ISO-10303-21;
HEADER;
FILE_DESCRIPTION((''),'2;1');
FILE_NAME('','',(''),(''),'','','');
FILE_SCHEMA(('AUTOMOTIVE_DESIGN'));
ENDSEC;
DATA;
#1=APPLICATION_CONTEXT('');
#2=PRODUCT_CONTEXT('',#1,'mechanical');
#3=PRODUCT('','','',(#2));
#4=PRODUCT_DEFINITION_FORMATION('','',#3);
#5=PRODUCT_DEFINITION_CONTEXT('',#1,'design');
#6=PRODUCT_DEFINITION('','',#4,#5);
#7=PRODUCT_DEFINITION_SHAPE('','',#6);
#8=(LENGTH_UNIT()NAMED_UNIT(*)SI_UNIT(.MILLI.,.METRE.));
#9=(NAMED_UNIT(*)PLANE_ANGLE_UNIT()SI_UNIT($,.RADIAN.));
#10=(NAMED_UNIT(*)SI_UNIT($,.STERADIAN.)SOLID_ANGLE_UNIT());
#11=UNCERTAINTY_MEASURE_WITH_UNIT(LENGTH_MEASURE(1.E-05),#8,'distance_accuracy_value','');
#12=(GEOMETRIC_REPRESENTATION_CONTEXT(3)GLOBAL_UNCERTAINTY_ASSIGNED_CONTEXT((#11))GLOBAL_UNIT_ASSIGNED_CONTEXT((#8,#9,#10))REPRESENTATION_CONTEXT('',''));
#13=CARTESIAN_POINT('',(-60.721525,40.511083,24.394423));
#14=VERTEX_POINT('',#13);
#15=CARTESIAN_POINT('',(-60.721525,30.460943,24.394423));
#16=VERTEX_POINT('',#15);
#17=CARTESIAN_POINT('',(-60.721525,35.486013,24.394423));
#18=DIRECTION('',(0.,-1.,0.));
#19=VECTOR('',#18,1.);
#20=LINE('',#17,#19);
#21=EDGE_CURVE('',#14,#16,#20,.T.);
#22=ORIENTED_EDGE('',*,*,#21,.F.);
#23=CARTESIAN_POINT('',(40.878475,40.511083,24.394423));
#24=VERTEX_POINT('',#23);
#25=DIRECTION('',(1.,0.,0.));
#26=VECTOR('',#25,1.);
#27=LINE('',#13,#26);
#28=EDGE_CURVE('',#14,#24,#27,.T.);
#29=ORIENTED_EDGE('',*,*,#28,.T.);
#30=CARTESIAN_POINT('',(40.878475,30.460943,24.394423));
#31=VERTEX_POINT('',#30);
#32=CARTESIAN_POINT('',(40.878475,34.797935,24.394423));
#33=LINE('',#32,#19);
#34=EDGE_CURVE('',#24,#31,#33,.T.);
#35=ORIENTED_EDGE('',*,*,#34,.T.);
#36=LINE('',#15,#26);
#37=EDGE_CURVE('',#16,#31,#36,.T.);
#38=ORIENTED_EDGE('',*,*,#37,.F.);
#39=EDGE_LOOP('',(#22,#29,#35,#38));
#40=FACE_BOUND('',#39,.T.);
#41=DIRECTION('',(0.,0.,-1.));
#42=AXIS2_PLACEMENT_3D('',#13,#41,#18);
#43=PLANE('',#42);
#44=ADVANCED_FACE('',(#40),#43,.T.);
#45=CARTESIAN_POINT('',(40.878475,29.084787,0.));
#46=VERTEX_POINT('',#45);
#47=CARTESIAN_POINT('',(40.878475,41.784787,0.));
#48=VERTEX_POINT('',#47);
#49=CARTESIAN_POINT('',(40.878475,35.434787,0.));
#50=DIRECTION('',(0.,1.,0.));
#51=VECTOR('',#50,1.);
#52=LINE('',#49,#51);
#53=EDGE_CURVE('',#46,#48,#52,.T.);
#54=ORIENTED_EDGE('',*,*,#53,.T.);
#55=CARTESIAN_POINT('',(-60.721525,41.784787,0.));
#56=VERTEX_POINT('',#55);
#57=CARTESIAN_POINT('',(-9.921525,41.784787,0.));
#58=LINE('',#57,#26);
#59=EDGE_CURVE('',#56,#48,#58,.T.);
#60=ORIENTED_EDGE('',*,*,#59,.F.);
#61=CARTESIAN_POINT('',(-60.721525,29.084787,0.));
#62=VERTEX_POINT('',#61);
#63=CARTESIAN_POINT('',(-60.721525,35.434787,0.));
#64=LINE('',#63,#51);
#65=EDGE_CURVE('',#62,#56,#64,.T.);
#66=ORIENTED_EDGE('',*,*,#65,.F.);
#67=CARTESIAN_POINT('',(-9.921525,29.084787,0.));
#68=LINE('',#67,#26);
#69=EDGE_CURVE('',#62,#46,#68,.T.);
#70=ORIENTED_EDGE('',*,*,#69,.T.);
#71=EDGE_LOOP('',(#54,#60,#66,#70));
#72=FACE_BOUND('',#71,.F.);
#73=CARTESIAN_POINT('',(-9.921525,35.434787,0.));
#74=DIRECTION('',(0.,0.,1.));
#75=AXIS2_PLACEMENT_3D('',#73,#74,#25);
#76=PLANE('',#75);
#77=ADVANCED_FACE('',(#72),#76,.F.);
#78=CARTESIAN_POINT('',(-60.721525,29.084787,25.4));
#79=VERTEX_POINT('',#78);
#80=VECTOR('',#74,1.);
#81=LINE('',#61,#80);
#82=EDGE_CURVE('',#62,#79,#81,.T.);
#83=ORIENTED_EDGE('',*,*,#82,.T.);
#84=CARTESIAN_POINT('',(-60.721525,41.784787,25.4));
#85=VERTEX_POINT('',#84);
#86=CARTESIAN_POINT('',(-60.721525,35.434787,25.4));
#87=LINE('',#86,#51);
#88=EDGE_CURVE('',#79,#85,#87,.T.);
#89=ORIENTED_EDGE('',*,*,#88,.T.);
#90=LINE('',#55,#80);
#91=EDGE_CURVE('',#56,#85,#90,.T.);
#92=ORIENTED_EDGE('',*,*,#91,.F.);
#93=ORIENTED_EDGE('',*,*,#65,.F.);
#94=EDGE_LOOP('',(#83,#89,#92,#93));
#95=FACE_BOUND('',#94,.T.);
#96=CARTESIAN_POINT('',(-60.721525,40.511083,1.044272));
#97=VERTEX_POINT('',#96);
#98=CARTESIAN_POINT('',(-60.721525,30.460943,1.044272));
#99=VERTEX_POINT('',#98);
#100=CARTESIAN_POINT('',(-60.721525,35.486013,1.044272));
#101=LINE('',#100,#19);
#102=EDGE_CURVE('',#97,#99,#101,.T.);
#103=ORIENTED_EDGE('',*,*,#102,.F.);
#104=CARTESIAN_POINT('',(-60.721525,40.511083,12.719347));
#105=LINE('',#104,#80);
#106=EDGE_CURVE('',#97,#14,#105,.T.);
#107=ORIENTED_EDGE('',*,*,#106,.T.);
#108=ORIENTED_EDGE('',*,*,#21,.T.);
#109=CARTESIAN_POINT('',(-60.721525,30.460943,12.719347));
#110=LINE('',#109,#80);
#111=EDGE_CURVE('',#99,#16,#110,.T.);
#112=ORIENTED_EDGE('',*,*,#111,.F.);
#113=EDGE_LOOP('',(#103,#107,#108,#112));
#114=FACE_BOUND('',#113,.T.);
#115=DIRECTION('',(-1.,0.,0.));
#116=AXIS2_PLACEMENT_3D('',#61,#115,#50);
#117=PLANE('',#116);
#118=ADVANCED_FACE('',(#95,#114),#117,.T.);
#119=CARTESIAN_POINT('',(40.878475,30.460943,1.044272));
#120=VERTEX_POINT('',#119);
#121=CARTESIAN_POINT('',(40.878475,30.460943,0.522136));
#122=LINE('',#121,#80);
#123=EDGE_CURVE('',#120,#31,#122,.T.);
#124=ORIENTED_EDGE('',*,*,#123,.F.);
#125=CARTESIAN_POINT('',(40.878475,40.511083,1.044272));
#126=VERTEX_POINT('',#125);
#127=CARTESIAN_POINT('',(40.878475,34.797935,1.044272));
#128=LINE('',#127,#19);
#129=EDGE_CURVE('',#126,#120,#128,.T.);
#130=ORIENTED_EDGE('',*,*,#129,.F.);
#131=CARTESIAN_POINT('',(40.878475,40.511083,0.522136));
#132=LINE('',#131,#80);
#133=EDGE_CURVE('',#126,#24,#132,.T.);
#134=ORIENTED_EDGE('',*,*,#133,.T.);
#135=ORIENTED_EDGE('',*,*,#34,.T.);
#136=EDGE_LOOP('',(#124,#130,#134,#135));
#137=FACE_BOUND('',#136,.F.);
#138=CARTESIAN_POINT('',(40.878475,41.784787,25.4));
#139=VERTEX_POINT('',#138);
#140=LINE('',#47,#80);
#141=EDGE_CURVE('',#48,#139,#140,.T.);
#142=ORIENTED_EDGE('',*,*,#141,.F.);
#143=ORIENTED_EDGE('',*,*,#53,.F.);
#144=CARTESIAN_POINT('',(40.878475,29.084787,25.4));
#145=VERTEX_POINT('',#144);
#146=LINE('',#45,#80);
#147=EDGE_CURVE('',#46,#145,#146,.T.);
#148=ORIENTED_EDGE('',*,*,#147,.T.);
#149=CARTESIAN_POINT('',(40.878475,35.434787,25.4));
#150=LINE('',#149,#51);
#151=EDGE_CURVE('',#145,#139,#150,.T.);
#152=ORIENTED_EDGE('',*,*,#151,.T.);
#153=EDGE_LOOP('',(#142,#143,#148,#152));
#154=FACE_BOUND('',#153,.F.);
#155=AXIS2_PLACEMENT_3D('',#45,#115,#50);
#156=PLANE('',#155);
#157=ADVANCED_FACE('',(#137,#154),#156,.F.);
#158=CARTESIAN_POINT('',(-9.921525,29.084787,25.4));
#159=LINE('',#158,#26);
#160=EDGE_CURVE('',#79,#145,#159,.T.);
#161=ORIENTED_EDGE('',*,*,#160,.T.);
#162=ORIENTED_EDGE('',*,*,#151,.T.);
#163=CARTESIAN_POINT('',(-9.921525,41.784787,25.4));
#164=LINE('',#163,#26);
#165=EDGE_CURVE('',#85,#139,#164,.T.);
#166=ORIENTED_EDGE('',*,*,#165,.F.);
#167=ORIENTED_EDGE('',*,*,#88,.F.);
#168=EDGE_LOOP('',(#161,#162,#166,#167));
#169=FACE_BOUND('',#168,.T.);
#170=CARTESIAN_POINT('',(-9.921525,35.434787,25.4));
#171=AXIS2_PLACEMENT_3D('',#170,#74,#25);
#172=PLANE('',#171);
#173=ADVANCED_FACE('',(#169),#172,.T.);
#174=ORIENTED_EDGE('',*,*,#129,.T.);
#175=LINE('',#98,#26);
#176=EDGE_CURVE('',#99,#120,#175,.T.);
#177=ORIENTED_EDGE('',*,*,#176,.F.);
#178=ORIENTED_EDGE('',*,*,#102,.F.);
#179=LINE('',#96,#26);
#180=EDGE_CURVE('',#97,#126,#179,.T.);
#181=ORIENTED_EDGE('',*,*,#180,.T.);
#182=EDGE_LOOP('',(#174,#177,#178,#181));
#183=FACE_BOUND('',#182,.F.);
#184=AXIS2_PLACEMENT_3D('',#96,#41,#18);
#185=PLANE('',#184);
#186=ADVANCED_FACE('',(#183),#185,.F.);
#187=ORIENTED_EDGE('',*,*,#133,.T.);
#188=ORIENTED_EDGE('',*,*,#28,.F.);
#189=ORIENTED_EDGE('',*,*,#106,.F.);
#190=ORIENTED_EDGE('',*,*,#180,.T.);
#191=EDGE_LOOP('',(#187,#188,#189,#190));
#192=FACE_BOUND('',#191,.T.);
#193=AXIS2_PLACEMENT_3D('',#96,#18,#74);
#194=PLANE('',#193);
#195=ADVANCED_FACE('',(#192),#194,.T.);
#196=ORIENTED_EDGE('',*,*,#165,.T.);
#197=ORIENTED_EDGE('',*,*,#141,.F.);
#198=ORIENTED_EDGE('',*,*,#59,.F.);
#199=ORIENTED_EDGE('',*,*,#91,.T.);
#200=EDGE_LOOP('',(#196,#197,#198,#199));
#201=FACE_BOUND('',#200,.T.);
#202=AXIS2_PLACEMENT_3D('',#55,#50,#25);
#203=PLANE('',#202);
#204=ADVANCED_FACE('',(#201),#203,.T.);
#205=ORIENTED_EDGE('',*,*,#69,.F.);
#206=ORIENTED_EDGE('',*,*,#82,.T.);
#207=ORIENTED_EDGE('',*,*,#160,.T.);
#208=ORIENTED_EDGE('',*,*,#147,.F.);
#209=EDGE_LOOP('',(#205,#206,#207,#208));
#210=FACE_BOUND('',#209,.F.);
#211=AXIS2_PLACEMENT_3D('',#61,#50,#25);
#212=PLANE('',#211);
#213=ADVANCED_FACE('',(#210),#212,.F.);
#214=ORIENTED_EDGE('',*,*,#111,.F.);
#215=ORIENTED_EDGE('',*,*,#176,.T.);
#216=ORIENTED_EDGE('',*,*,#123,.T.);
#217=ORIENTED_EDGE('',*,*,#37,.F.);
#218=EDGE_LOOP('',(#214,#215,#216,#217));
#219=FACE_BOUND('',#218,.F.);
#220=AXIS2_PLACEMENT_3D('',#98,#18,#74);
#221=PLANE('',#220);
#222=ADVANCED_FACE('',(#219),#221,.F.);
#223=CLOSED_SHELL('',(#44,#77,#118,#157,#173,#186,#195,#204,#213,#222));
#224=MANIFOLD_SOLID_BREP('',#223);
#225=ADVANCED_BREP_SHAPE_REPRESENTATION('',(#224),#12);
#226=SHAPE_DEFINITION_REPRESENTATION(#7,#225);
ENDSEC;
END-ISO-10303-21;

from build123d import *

# Parameters (mm, degrees)
F0_W          = 101.6
F0_H          = 12.7
F1_DEPTH      = 25.4
F2_W          = 10.050139
F2_H          = 23.350151
F3_DEPTH      = 127
F3_DEPTH_BACK = 127


with BuildPart() as f1:
    # F0 (on Top) → F1 (new body)
    with BuildSketch(Plane.XY):
        with Locations((-9.921525, 35.434787)):
            Rectangle(F0_W, F0_H)
    extrude(amount=F1_DEPTH)

    # F2 (on face) → F3 (cut, two sides)
    with BuildSketch(Plane(origin=(-60.721525, 0, 0), x_dir=(0, -1, 0), z_dir=(-1, 0, 0))) as f3_sk:
        with Locations((-35.486013, 12.719347)):
            Rectangle(F2_W, F2_H)
    extrude(amount=-F3_DEPTH, mode=Mode.SUBTRACT)
    extrude(f3_sk.sketch, amount=-F3_DEPTH_BACK, mode=Mode.SUBTRACT)


solid = f1.part
